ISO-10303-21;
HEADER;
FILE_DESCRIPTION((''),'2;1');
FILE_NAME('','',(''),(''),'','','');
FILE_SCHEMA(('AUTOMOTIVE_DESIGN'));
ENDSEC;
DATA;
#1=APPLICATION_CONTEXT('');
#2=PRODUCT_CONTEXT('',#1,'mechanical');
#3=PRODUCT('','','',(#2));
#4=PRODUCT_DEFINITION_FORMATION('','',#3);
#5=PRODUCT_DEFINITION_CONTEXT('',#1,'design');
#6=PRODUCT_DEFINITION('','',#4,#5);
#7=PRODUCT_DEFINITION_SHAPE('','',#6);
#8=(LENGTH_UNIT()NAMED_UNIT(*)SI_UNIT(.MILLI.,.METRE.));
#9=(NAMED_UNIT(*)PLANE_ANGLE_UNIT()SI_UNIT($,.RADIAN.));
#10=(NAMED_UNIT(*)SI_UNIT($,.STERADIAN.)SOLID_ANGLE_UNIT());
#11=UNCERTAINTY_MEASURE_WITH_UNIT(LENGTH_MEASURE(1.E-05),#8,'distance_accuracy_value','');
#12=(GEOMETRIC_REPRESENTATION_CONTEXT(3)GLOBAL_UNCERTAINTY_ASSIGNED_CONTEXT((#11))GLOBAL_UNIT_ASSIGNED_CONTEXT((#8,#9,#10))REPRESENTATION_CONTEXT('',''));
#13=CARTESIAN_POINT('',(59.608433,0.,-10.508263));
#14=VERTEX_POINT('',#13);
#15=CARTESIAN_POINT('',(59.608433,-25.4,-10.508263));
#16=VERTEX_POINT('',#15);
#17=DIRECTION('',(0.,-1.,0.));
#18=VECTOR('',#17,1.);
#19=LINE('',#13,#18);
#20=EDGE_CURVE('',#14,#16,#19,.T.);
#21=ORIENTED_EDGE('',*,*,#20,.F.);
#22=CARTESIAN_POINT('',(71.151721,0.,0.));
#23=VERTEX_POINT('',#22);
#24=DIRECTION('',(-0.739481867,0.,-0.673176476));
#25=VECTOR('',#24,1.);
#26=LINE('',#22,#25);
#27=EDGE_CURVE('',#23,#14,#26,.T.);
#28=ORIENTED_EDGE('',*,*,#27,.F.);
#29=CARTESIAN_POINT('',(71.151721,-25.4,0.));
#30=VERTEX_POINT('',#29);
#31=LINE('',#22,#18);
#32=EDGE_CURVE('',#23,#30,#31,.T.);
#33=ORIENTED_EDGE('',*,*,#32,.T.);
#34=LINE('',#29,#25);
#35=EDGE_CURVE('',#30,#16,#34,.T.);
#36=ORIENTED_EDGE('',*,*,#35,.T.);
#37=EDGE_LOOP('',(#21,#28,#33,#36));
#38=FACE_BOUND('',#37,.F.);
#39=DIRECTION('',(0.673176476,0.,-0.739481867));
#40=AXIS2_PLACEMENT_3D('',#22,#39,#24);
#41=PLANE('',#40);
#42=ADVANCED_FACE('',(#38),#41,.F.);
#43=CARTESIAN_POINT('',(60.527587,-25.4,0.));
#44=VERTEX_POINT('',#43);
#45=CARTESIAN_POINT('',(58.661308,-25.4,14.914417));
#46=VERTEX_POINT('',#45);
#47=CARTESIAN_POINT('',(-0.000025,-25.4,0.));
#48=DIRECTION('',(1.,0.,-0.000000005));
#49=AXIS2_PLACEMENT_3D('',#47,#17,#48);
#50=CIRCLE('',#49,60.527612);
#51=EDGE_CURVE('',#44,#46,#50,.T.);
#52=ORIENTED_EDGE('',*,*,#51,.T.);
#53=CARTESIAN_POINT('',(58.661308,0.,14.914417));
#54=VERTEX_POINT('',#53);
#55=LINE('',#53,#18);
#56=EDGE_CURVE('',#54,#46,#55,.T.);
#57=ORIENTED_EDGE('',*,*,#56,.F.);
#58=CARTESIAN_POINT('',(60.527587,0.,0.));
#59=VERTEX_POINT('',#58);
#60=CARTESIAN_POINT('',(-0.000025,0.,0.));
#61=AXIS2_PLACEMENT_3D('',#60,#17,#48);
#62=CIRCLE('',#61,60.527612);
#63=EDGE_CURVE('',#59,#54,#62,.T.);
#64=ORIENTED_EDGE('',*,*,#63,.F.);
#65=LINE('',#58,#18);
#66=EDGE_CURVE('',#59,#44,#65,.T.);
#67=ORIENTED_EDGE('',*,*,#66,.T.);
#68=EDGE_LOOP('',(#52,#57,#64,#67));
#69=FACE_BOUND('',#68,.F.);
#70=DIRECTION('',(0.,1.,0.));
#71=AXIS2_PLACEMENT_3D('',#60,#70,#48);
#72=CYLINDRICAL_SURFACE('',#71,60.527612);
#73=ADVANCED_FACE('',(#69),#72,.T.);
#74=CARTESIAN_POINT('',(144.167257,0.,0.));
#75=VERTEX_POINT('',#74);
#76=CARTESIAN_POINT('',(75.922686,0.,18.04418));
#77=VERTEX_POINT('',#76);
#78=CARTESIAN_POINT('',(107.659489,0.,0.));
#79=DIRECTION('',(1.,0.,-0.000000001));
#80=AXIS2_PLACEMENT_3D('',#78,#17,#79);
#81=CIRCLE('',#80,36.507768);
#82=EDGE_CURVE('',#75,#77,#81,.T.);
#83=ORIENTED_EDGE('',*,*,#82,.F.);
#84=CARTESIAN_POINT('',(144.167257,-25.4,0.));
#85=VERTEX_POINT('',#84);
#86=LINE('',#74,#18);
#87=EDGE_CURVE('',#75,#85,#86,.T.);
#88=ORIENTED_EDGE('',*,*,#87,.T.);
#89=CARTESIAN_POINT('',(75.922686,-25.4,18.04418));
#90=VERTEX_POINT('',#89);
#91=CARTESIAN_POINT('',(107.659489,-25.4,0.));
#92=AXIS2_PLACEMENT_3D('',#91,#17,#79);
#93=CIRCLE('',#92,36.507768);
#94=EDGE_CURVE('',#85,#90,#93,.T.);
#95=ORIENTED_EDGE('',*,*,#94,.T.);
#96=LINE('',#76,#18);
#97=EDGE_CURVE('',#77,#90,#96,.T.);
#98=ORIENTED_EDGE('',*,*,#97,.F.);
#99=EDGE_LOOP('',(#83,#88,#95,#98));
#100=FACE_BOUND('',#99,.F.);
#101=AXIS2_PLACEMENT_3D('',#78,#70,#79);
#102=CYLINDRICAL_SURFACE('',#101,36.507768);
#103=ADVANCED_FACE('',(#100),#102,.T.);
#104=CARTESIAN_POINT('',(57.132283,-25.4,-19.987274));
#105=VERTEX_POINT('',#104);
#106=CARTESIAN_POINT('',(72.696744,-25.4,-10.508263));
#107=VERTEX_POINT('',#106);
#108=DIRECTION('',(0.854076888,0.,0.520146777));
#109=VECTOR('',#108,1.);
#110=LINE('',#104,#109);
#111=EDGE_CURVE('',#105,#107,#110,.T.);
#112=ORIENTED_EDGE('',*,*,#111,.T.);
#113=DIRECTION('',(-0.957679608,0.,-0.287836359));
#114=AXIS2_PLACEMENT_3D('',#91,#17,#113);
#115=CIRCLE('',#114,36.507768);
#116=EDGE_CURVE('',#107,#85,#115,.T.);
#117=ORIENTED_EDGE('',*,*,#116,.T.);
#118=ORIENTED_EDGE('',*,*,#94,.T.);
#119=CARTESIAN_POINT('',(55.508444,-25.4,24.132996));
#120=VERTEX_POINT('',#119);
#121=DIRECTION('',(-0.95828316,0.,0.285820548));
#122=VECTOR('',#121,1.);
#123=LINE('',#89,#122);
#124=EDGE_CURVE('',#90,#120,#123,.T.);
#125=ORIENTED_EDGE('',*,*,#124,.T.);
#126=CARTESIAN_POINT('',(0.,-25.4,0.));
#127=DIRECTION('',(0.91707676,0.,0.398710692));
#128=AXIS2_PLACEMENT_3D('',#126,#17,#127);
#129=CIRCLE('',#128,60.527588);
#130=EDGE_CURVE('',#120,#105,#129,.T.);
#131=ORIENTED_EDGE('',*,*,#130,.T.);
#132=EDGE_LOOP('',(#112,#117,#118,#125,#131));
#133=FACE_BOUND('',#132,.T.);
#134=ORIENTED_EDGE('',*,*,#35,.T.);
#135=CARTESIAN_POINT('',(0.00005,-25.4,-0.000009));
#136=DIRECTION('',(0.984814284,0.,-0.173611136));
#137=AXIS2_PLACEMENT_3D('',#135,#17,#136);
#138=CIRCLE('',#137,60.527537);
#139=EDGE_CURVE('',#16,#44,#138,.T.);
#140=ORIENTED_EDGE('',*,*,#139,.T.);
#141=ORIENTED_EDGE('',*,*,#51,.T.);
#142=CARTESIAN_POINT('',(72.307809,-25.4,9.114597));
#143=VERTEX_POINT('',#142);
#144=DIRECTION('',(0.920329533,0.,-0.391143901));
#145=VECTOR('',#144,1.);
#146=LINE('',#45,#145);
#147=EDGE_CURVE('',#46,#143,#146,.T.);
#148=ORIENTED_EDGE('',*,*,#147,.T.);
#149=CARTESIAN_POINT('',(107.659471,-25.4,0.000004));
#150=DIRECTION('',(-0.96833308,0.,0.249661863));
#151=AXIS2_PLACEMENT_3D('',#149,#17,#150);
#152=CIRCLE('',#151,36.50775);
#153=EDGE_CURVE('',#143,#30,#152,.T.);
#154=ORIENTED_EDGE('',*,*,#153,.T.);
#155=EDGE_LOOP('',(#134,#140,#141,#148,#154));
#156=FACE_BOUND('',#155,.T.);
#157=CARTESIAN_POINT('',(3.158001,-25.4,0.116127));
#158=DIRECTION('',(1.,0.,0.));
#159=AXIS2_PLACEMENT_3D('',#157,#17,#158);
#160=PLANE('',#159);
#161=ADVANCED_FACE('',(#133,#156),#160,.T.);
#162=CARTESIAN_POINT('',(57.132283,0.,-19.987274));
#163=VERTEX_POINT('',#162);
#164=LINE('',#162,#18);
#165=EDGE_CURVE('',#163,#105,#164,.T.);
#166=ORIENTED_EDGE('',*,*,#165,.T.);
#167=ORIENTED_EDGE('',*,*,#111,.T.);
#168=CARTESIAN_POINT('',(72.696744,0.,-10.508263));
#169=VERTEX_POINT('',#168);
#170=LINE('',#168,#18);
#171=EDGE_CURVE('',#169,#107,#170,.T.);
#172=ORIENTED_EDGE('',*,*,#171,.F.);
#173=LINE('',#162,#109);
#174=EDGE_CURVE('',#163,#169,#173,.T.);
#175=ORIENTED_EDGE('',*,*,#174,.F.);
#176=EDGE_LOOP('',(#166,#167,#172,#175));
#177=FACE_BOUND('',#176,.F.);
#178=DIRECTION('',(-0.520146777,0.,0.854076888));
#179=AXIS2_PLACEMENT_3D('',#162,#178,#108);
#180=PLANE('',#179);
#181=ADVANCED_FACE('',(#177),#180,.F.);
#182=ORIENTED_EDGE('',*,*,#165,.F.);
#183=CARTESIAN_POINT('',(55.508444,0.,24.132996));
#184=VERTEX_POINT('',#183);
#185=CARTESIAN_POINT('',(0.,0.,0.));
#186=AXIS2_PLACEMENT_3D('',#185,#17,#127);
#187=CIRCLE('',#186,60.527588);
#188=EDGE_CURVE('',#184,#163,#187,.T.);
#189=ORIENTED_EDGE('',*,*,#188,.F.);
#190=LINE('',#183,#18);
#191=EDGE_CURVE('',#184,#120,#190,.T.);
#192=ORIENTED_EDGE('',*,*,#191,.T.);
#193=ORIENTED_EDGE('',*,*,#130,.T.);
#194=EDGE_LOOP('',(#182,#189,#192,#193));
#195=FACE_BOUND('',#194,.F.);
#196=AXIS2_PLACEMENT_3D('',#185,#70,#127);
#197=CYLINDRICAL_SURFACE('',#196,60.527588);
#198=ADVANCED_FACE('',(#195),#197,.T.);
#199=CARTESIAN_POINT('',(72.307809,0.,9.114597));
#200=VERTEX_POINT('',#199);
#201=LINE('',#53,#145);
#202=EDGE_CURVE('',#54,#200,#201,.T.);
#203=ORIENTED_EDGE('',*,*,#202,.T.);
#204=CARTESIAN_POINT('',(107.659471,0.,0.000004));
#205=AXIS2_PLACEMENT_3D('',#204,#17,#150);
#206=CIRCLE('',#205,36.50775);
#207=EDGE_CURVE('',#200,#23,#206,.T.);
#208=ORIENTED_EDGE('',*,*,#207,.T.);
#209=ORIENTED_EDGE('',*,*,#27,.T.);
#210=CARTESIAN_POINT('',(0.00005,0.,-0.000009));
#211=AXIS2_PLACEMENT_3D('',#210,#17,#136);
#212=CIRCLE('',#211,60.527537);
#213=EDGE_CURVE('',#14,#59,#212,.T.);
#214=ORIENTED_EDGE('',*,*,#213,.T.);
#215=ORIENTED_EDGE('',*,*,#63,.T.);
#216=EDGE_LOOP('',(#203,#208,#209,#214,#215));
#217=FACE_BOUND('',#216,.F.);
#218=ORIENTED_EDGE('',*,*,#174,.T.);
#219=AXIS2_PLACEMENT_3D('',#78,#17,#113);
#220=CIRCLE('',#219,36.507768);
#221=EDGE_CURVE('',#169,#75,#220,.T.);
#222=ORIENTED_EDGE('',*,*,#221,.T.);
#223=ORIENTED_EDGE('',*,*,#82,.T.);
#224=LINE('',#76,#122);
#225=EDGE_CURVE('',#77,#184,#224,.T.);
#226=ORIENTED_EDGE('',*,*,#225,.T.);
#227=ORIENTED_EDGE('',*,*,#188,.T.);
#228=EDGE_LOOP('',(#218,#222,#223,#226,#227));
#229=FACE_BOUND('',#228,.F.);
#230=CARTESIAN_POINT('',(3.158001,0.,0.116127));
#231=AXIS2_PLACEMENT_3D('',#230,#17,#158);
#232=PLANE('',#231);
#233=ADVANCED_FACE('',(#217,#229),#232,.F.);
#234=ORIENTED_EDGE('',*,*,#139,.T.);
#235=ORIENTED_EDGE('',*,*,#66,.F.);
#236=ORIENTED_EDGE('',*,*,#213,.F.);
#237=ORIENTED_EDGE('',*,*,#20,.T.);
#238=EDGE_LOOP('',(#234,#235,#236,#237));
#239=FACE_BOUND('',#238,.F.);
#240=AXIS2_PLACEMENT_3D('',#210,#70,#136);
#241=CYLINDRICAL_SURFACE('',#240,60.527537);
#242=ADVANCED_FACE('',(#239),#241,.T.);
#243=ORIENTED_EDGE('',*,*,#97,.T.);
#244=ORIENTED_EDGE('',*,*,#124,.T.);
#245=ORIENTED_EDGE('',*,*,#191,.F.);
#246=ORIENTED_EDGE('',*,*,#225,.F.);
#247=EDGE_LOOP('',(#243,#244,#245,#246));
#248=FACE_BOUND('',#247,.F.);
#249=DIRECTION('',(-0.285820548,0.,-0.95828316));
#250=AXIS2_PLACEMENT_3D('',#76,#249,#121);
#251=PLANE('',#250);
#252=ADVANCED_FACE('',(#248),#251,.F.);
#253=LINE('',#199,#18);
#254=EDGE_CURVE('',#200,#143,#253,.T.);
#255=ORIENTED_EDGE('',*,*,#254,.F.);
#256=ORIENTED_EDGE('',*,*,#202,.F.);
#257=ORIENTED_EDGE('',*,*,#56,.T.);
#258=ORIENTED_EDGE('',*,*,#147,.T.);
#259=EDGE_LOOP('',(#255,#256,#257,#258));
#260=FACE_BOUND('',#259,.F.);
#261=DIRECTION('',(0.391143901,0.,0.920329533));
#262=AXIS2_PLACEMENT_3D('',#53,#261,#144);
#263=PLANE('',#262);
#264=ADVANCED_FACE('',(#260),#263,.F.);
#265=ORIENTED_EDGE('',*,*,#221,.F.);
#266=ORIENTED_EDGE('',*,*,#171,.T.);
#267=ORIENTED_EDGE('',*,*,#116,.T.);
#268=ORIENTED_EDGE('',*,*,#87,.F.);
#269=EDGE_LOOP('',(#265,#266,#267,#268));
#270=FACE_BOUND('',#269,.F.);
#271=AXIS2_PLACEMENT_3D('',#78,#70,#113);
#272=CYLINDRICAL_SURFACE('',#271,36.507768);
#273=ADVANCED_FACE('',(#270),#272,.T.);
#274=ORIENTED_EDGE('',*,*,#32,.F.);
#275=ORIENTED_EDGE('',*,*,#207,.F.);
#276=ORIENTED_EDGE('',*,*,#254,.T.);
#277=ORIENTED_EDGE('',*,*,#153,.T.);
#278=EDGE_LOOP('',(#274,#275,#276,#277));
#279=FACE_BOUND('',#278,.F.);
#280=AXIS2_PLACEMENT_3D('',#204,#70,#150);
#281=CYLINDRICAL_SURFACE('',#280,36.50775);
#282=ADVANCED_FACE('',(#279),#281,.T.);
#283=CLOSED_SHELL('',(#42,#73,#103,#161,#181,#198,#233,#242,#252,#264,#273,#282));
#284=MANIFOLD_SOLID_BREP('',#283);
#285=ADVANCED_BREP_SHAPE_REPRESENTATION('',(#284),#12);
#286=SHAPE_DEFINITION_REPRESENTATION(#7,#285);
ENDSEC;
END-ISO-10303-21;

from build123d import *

# Parameters (mm, degrees)
F1_DEPTH = 25.4


with BuildPart() as f1:
    # F0 (on Front) → F1 (new body)
    with BuildSketch(Plane.XZ):
        with BuildLine():
            ThreePointArc((59.608433, -10.508263), (60.297361, -5.274193), (60.527587, 0))
            ThreePointArc((60.527587, 0), (60.059205, 7.515365), (58.661308, 14.914417))
            ThreePointArc((58.661308, 14.914417), (57.270661, 19.587247), (55.508444, 24.132996))
            ThreePointArc((55.508444, 24.132996), (-60.486634, -2.2262), (57.132283, -19.987274))
            ThreePointArc((57.132283, -19.987274), (58.562459, -15.29795), (59.608433, -10.508263))
        make_face()
        with BuildLine():
            ThreePointArc((55.508444, 24.132996), (57.270661, 19.587247), (58.661308, 14.914417))
            Line((58.661308, 14.914417), (72.307809, 9.114597))
            ThreePointArc((72.307809, 9.114597), (73.819416, 13.699147), (75.922686, 18.04418))
            Line((75.922686, 18.04418), (55.508444, 24.132996))
        make_face()
        with BuildLine():
            Line((71.151721, 0), (59.608433, -10.508263))
            ThreePointArc((59.608433, -10.508263), (58.562459, -15.29795), (57.132283, -19.987274))
            Line((57.132283, -19.987274), (72.696744, -10.508263))
            ThreePointArc((72.696744, -10.508263), (71.540042, -5.310619), (71.151721, 0))
        make_face()
        with BuildLine():
            ThreePointArc((75.922686, 18.04418), (73.819416, 13.699147), (72.307809, 9.114597))
            ThreePointArc((72.307809, 9.114597), (71.441896, 4.593812), (71.151721, 0))
            ThreePointArc((71.151721, 0), (71.540042, -5.310619), (72.696744, -10.508263))
            ThreePointArc((72.696744, -10.508263), (112.970108, -36.119447), (144.167257, 0))
            ThreePointArc((144.167257, 0), (116.991618, 35.294879), (75.922686, 18.04418))
        make_face()
    extrude(amount=F1_DEPTH)


solid = f1.part
